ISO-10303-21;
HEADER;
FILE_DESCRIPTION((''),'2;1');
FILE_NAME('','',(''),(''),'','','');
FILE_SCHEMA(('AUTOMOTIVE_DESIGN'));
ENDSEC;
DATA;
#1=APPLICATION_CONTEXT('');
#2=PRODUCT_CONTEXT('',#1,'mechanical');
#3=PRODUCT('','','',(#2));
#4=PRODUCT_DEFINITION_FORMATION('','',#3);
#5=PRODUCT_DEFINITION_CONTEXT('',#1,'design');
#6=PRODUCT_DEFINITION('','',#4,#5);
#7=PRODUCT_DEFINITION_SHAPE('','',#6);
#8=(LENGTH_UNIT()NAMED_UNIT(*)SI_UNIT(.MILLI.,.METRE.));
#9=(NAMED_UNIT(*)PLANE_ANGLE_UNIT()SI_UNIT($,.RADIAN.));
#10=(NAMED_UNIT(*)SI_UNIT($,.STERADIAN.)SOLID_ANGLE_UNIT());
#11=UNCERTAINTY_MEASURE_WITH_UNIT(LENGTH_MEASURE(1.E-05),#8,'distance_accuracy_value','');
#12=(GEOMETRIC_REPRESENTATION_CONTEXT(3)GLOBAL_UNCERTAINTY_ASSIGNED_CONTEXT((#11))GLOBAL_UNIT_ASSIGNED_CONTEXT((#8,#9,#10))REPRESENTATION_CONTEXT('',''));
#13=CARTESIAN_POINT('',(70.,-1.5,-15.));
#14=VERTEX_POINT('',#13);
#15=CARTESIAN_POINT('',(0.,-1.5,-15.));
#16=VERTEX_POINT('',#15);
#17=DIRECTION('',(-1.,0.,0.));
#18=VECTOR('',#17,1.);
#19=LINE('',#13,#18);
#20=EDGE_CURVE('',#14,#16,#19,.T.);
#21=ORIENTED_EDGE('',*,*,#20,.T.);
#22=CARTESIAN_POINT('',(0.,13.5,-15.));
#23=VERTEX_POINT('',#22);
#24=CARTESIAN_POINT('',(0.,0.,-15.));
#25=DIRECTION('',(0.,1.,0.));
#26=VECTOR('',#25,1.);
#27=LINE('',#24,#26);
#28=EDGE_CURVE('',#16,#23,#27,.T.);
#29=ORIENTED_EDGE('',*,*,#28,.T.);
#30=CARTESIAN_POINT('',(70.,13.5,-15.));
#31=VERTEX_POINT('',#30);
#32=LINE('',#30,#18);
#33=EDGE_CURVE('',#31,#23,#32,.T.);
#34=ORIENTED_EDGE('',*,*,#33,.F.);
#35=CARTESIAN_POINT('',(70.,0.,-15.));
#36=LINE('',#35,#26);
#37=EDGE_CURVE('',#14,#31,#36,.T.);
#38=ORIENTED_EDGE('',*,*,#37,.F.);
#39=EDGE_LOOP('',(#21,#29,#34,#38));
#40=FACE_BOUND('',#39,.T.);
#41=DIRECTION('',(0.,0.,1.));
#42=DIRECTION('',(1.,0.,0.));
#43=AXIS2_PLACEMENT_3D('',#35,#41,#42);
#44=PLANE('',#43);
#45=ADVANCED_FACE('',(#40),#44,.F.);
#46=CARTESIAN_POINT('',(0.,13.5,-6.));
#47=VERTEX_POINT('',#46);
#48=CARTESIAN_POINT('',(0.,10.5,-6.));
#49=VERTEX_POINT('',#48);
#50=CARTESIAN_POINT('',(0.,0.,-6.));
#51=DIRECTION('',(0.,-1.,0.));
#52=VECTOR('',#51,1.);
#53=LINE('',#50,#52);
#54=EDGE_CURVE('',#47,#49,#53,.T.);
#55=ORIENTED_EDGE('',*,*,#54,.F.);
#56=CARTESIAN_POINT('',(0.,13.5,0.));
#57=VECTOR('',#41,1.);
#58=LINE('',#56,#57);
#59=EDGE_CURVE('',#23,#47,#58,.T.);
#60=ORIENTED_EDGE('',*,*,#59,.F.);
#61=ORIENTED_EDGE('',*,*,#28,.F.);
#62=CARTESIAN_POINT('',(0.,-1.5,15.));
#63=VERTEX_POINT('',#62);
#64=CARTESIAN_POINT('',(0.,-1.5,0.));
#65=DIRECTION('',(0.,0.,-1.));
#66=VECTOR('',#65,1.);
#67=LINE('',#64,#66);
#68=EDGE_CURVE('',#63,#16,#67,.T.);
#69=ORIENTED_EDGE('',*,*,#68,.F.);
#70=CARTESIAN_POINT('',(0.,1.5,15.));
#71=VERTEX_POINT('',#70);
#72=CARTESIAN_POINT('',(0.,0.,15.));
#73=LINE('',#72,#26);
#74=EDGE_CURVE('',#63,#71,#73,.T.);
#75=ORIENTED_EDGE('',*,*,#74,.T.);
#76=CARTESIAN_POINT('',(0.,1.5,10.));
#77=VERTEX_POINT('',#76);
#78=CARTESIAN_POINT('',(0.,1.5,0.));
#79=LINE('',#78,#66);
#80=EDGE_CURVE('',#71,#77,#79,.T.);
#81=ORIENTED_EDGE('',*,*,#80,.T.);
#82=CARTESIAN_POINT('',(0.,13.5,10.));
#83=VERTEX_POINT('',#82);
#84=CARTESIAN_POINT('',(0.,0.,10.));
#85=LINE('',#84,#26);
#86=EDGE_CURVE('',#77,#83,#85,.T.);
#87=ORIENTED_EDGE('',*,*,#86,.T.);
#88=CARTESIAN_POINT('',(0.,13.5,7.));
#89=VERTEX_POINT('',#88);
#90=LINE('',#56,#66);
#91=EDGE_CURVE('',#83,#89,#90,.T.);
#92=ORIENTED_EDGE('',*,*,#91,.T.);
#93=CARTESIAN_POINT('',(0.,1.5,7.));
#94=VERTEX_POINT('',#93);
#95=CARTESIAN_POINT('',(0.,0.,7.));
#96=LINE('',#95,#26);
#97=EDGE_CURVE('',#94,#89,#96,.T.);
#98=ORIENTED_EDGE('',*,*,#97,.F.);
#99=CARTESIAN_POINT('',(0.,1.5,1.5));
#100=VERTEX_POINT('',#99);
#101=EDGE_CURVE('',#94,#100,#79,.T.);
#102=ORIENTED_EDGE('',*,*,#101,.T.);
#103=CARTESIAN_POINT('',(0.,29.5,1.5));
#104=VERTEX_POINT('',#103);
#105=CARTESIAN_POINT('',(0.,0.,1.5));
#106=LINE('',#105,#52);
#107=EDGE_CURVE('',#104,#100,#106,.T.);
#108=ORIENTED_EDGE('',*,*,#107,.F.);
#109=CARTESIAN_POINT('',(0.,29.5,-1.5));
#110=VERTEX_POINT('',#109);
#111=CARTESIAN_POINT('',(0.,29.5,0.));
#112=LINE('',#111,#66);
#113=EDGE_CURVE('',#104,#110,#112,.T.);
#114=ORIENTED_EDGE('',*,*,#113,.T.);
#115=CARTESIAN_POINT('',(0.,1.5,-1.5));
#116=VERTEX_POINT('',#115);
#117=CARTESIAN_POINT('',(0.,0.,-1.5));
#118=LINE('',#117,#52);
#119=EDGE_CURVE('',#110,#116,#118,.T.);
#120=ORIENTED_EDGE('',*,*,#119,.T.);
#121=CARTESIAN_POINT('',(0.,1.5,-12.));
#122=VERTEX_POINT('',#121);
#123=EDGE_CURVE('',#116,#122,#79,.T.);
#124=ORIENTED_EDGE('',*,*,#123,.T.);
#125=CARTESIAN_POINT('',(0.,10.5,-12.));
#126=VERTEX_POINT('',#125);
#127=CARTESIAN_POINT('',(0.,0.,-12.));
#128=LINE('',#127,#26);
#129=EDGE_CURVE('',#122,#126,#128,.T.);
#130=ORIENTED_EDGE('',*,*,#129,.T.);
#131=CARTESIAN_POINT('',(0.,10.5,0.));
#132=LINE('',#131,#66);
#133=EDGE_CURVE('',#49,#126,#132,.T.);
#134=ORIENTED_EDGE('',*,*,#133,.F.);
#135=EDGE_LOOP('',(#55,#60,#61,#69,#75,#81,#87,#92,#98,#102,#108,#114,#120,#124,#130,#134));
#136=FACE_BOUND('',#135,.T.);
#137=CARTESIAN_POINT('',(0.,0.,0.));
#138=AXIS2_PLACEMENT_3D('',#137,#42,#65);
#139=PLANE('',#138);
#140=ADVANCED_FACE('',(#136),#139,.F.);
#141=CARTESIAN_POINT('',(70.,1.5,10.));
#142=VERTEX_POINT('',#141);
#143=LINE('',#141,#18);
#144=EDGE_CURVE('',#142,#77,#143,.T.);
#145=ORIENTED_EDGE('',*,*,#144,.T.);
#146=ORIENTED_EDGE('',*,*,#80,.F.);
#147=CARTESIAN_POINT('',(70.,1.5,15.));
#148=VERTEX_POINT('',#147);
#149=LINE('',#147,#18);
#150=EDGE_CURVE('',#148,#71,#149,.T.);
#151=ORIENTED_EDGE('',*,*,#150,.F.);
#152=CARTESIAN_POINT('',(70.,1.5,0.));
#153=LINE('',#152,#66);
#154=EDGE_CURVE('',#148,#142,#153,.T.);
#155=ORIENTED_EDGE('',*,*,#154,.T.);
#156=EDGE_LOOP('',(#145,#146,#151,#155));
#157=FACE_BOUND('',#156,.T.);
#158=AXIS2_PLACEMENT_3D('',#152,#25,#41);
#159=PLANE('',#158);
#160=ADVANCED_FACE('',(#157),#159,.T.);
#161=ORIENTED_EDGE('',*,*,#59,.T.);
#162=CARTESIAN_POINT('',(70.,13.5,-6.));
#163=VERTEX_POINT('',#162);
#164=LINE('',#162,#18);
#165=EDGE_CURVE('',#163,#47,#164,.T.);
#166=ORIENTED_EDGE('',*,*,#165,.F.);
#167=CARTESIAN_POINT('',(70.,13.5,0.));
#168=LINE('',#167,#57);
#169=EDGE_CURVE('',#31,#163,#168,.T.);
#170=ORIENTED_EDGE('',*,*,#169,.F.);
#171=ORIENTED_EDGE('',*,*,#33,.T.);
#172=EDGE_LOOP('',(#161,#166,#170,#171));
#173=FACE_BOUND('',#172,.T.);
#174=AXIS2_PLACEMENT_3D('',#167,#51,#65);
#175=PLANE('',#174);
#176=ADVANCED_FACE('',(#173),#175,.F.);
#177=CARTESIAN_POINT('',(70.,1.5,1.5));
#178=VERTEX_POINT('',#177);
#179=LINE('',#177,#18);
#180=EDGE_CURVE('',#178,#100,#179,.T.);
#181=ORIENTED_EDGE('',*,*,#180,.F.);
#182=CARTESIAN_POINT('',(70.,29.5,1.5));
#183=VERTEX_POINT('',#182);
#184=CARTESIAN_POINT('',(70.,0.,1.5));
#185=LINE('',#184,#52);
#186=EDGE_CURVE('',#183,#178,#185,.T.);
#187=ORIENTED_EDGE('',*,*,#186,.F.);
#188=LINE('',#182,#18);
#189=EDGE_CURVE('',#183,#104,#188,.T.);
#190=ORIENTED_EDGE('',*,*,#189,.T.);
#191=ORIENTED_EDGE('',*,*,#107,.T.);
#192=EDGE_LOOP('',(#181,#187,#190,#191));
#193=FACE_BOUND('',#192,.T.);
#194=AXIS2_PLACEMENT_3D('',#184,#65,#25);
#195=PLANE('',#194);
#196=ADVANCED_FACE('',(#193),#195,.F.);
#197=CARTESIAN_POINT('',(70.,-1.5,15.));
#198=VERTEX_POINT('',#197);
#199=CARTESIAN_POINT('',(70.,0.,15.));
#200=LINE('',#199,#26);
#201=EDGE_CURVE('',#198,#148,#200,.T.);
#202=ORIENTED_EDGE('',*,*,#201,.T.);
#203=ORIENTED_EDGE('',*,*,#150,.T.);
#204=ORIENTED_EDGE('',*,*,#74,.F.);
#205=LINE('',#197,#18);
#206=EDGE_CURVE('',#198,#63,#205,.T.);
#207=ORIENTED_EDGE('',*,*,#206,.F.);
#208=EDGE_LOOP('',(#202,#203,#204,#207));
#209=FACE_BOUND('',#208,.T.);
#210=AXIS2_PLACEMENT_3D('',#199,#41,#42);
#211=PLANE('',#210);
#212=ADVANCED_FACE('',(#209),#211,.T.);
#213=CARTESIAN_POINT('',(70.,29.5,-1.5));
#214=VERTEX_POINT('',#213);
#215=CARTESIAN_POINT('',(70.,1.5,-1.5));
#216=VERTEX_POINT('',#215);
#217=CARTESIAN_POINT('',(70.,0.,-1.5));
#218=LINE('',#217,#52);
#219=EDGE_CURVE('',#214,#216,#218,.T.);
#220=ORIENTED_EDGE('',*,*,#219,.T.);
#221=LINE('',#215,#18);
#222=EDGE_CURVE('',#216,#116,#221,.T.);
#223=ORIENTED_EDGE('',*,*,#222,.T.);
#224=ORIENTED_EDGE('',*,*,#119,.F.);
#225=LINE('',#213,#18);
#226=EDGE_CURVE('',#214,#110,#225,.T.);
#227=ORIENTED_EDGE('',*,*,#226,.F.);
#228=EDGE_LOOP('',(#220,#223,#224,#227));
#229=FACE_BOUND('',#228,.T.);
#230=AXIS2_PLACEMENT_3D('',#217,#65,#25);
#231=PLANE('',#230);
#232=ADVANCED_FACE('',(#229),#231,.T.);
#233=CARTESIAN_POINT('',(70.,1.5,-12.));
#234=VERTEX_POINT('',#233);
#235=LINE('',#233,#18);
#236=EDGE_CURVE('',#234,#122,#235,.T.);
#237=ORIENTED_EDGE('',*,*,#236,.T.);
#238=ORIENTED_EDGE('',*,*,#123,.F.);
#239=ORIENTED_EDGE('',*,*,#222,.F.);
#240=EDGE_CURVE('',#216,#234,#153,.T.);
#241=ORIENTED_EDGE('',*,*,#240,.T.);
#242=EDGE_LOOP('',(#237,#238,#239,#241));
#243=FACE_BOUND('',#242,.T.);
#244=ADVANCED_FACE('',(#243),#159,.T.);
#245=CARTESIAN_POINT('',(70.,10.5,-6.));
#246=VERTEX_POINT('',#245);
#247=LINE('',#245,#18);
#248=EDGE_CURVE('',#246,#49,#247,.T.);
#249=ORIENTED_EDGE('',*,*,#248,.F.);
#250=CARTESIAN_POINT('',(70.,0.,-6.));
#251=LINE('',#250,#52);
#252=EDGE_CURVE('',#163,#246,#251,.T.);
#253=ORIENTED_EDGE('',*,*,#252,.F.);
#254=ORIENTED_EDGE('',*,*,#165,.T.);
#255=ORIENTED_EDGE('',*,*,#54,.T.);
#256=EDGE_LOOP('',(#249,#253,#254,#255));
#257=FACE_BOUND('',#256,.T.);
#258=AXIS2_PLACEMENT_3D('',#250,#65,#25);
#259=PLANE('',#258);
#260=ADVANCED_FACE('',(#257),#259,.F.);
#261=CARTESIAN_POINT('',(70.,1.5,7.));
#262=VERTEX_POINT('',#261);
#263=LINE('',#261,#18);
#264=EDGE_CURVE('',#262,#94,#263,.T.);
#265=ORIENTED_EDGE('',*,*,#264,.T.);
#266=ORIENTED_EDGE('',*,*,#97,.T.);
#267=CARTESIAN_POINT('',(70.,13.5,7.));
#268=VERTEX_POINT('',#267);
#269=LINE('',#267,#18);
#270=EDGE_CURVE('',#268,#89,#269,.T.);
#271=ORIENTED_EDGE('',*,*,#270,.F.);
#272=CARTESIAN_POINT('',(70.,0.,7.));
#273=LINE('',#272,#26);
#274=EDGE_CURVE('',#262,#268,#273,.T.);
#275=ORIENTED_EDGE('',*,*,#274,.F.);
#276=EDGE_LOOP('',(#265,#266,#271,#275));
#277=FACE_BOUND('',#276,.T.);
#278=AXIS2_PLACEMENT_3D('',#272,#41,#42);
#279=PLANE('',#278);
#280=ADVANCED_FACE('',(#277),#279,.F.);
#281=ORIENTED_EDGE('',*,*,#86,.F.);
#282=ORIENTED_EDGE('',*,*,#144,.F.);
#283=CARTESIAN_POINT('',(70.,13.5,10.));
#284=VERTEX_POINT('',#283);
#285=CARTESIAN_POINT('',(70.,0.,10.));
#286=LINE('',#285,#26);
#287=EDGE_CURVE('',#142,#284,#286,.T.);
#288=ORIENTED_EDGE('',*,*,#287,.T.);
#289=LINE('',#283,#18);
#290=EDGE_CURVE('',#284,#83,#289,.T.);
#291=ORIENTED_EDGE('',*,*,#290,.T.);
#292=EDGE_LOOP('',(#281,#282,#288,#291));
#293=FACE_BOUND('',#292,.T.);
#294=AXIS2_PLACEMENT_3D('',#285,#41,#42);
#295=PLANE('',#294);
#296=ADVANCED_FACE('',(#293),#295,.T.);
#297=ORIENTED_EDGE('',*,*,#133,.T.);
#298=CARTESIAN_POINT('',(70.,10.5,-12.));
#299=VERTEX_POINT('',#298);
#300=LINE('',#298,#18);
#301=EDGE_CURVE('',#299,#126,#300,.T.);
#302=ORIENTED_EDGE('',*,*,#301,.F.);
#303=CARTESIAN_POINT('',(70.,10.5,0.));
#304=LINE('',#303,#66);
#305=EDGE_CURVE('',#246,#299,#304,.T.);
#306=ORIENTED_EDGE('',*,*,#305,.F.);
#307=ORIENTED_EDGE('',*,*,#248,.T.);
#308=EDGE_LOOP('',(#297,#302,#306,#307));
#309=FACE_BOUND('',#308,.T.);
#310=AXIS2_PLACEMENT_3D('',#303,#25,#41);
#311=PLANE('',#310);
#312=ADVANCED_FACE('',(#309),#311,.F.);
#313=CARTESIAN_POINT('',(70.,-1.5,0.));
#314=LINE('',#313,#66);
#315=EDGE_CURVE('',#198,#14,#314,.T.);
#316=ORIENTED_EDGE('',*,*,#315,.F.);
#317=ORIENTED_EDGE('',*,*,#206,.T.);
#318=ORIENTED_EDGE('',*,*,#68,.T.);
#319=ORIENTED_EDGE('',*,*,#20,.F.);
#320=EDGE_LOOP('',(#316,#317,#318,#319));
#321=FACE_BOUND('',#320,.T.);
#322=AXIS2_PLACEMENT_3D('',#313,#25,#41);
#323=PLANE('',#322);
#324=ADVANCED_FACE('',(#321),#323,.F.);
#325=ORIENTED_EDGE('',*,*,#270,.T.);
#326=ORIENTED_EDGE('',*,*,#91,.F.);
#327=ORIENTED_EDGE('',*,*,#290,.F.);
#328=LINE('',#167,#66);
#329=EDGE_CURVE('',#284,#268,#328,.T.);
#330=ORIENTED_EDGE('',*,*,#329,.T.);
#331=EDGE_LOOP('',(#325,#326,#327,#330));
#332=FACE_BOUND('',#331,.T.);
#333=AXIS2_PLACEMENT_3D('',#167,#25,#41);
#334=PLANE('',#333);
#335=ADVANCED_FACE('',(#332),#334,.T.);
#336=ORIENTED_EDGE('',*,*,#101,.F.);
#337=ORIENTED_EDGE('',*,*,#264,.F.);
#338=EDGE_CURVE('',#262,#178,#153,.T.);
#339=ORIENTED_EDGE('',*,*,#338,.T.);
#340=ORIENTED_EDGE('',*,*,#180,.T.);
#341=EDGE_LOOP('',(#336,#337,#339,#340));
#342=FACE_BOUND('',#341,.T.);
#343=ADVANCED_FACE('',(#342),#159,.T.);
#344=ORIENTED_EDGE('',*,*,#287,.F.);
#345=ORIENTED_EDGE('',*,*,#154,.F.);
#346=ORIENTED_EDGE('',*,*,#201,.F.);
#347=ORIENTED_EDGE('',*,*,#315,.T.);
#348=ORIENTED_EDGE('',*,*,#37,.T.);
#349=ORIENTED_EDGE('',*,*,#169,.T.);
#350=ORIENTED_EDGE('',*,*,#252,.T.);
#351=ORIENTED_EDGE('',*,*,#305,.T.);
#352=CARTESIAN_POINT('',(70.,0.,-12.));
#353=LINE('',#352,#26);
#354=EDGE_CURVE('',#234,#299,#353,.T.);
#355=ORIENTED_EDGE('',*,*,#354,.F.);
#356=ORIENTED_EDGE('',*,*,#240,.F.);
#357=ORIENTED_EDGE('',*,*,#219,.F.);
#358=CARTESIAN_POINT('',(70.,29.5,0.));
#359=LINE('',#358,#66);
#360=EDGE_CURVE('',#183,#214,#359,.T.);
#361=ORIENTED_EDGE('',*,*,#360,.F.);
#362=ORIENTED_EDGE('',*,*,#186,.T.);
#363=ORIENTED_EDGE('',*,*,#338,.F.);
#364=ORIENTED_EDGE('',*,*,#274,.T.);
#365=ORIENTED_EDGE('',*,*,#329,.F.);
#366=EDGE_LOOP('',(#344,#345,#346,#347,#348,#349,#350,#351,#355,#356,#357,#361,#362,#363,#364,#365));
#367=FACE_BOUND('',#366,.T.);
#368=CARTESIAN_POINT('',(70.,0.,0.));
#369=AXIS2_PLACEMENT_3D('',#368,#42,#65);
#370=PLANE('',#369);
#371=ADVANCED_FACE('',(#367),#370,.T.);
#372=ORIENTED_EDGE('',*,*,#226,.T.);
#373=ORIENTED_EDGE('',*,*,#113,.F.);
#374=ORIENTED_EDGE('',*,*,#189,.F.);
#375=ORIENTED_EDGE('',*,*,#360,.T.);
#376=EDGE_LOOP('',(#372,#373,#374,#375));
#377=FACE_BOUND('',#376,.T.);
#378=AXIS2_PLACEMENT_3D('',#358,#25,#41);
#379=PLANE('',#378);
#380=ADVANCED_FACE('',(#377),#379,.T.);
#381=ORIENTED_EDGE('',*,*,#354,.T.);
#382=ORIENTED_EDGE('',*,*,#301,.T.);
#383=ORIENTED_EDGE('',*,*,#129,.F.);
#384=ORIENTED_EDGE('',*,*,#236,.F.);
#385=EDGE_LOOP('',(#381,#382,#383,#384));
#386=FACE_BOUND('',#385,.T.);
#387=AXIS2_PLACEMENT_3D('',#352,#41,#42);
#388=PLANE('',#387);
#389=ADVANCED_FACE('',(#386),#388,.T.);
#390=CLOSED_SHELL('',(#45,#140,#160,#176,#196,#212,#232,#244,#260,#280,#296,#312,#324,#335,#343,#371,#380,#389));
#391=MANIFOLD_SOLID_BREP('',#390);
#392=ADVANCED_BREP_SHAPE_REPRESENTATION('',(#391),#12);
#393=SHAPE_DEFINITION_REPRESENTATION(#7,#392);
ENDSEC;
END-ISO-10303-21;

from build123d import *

# Parameters (mm, degrees)
EXTRUDE_1_DEPTH = 70


with BuildPart() as part:
    # Эскиз1 → Бобышка-Вытянуть1 (new body)
    with BuildSketch(Plane(origin=(0, 0, 0), x_dir=(0, 0, -1), z_dir=(1, 0, 0))):
        Polygon((6, 10.5), (12, 10.5), (12, 1.5), (1.5, 1.5), (1.5, 29.5), (-1.5, 29.5), (-1.5, 1.5), (-7, 1.5), (-7, 13.5), (-10, 13.5), (-10, 1.5), (-15, 1.5), (-15, -1.5), (15, -1.5), (15, 13.5), (6, 13.5), align=None)
    extrude(amount=EXTRUDE_1_DEPTH)


solid = part.part
